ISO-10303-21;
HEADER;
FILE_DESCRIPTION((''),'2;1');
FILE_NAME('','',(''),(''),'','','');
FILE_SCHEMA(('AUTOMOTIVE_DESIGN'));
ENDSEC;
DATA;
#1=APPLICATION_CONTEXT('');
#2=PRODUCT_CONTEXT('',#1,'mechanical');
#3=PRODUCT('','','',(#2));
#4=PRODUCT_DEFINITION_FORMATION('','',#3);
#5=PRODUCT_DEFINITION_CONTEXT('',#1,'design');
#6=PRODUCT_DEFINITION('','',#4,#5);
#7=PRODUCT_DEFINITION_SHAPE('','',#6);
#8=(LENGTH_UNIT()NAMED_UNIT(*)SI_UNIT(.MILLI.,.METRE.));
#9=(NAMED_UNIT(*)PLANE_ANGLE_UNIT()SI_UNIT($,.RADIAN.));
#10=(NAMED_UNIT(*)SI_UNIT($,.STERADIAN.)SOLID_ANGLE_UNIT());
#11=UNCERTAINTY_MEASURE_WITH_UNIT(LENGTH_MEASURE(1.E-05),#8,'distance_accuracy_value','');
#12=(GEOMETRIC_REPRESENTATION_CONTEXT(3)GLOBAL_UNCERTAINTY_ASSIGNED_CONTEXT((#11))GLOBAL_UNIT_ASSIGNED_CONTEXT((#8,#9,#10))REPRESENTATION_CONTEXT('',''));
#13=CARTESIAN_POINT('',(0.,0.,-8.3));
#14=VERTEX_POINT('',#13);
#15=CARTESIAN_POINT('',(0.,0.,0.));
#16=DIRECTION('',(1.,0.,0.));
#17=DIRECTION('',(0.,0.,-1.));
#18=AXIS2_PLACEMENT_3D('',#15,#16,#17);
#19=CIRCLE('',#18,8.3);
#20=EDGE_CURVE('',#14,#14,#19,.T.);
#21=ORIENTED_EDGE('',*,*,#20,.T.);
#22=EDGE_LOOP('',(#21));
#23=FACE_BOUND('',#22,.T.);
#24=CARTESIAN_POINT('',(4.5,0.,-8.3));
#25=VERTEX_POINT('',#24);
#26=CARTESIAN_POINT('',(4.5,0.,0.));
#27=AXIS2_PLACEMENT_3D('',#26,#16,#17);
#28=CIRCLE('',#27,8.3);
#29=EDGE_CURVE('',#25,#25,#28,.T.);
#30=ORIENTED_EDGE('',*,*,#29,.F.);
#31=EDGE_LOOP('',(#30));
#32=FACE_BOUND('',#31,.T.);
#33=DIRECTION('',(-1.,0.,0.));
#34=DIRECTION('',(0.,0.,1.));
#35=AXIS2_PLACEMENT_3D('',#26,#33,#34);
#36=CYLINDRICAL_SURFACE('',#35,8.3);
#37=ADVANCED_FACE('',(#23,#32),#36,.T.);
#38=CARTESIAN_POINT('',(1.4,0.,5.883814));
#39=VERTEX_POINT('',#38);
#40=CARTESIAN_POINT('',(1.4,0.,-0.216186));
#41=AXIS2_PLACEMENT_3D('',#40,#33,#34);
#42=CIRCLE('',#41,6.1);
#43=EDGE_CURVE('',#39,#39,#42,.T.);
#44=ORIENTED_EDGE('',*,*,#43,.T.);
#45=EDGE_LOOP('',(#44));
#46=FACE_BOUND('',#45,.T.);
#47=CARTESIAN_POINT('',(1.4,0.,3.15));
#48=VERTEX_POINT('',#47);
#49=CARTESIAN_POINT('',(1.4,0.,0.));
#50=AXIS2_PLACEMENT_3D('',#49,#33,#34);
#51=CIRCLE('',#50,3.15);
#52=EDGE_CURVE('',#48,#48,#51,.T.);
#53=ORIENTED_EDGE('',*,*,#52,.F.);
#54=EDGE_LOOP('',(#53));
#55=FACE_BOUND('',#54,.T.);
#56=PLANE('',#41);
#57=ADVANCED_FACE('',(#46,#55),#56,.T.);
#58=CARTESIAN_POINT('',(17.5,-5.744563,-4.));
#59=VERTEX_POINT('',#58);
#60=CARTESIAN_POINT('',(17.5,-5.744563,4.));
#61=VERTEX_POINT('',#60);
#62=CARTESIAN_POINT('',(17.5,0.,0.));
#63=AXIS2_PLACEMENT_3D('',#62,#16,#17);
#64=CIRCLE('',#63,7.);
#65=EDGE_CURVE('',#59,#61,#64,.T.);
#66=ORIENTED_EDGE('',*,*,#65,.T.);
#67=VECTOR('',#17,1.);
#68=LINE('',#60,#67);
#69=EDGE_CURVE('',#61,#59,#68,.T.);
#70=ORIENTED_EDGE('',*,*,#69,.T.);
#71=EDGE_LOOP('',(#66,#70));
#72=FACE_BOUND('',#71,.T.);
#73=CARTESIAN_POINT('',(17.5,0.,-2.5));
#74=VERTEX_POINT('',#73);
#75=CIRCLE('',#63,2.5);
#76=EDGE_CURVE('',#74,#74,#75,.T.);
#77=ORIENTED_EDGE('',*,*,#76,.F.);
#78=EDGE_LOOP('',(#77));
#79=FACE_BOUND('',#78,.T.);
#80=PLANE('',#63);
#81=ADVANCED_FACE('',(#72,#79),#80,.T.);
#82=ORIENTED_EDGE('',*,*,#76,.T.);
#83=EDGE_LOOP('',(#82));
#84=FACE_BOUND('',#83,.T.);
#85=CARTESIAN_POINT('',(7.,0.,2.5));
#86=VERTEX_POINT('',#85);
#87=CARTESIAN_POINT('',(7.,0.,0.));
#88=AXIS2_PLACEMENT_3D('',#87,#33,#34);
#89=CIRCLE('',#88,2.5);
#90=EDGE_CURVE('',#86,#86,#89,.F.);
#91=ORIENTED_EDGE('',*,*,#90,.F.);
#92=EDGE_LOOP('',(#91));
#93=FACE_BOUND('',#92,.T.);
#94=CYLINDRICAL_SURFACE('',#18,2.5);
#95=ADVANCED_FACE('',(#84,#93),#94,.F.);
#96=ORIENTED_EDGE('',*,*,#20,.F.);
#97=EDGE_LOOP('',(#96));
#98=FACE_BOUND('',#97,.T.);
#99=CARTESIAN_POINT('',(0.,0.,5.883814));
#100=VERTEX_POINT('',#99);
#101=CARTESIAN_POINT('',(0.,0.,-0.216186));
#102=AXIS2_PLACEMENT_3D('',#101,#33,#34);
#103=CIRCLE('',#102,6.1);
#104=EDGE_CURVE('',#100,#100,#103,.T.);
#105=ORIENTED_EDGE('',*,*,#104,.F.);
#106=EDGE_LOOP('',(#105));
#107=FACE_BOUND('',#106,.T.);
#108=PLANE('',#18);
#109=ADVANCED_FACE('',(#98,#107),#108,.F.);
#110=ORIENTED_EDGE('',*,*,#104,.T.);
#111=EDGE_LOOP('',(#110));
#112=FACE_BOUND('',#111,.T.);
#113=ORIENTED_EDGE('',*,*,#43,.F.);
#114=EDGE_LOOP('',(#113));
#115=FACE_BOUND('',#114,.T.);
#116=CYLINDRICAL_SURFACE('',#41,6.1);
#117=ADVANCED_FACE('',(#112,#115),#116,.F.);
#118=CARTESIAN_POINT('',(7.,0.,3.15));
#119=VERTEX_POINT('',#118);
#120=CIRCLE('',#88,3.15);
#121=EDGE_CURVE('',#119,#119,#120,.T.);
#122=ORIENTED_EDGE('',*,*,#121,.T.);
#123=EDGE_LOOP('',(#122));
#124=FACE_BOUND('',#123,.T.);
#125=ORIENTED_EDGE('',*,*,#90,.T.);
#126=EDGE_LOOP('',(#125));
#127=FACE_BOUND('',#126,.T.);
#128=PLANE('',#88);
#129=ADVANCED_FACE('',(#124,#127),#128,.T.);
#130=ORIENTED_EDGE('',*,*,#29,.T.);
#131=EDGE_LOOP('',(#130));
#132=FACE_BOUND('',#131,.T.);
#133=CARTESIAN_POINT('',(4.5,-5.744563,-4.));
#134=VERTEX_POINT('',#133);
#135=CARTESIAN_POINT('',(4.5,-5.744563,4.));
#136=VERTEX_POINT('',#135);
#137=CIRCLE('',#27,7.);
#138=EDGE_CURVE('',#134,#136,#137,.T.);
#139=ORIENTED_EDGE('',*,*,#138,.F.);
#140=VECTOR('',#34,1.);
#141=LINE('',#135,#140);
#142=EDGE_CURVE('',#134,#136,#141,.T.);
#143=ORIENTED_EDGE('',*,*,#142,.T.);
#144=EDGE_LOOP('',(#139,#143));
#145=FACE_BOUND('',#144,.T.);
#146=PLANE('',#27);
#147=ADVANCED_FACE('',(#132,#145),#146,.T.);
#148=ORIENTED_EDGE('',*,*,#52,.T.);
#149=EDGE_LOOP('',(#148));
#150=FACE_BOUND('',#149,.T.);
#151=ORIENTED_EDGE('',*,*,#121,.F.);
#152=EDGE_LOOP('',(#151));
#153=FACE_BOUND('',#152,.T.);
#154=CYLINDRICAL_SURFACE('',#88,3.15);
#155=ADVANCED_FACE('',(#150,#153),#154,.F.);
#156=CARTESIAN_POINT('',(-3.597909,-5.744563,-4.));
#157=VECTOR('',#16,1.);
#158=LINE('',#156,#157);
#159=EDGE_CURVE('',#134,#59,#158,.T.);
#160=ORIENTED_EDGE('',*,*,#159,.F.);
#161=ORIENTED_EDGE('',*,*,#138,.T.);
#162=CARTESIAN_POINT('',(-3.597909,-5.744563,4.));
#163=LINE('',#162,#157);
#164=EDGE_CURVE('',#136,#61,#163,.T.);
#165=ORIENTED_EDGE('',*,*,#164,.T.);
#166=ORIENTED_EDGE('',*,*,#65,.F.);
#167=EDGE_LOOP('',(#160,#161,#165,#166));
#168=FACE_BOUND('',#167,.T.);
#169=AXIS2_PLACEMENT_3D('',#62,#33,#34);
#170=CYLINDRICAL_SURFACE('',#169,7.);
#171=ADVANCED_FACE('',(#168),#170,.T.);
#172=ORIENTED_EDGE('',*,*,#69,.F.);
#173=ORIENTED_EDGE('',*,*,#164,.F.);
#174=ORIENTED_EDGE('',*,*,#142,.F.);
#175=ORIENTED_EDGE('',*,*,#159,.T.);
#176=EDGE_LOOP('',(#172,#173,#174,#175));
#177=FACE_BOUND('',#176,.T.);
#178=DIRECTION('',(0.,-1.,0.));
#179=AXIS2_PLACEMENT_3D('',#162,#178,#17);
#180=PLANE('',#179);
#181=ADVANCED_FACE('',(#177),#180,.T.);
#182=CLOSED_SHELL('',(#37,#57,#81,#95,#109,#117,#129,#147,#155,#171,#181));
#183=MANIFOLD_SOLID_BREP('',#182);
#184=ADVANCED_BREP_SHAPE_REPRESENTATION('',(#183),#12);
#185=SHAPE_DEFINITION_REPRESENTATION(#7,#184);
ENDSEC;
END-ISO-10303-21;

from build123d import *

# Parameters (mm, degrees)
SKETCH_1_R          = 8.3
EXTRUDE_1_DEPTH     = 4.5
SKETCH_2_R          = 6.1
CUT_EXTRUDE_1_DEPTH = 1.4
SKETCH_3_R          = 7
EXTRUDE_4_DEPTH     = 13
SKETCH_9_R          = 2.5
CUT_EXTRUDE_7_DEPTH = 22.072019362
CUT_EXTRUDE_START   = -13
CUT_EXTRUDE_8_DEPTH = 13
SKETCH_12_R         = 3.15
CUT_EXTRUDE_9_DEPTH = 7


with BuildPart() as part:
    # Эскиз1 → Бобышка-Вытянуть1 (new body)
    with BuildSketch(Plane(origin=(0, 0, 0), x_dir=(0, 0, -1), z_dir=(1, 0, 0))):
        Circle(SKETCH_1_R)
    extrude(amount=EXTRUDE_1_DEPTH)

    # Эскиз2 → Вырез-Вытянуть1 (cut)
    with BuildSketch(Plane.ZY):
        with Locations((-0.21618585, 0)):
            Circle(SKETCH_2_R)
    extrude(amount=-CUT_EXTRUDE_1_DEPTH, mode=Mode.SUBTRACT)

    # Эскиз3 → Бобышка-Вытянуть4 (add)
    with BuildSketch(Plane(origin=(4.5, 0, 0), x_dir=(0, 0, -1), z_dir=(1, 0, 0))):
        with Locations(Location((0, 0, 0), (0, 0, 180))):
            Circle(SKETCH_3_R)
    extrude(amount=EXTRUDE_4_DEPTH)

    # Эскиз9 → Вырез-Вытянуть7 (cut, through all)
    with BuildSketch(Plane(origin=(17.5, 0, 0), x_dir=(0, 0, -1), z_dir=(1, 0, 0))):
        Circle(SKETCH_9_R)
    extrude(amount=-CUT_EXTRUDE_7_DEPTH, mode=Mode.SUBTRACT)

    # Эскиз10 → Вырез-Вытянуть8 (cut)
    with BuildSketch(Plane(origin=(17.5, 0, 0), x_dir=(0, 0, -1), z_dir=(1, 0, 0)).offset(CUT_EXTRUDE_START)):
        with BuildLine():
            Line((-4, -5.744562647), (4, -5.744562647))
            ThreePointArc((4, -5.744562647), (0, -7), (-4, -5.744562647))
        make_face()
    extrude(amount=CUT_EXTRUDE_8_DEPTH, mode=Mode.SUBTRACT)

    # Эскиз12 → Вырез-Вытянуть9 (cut)
    with BuildSketch(Plane.ZY):
        Circle(SKETCH_12_R)
    extrude(amount=-CUT_EXTRUDE_9_DEPTH, mode=Mode.SUBTRACT)


solid = part.part
